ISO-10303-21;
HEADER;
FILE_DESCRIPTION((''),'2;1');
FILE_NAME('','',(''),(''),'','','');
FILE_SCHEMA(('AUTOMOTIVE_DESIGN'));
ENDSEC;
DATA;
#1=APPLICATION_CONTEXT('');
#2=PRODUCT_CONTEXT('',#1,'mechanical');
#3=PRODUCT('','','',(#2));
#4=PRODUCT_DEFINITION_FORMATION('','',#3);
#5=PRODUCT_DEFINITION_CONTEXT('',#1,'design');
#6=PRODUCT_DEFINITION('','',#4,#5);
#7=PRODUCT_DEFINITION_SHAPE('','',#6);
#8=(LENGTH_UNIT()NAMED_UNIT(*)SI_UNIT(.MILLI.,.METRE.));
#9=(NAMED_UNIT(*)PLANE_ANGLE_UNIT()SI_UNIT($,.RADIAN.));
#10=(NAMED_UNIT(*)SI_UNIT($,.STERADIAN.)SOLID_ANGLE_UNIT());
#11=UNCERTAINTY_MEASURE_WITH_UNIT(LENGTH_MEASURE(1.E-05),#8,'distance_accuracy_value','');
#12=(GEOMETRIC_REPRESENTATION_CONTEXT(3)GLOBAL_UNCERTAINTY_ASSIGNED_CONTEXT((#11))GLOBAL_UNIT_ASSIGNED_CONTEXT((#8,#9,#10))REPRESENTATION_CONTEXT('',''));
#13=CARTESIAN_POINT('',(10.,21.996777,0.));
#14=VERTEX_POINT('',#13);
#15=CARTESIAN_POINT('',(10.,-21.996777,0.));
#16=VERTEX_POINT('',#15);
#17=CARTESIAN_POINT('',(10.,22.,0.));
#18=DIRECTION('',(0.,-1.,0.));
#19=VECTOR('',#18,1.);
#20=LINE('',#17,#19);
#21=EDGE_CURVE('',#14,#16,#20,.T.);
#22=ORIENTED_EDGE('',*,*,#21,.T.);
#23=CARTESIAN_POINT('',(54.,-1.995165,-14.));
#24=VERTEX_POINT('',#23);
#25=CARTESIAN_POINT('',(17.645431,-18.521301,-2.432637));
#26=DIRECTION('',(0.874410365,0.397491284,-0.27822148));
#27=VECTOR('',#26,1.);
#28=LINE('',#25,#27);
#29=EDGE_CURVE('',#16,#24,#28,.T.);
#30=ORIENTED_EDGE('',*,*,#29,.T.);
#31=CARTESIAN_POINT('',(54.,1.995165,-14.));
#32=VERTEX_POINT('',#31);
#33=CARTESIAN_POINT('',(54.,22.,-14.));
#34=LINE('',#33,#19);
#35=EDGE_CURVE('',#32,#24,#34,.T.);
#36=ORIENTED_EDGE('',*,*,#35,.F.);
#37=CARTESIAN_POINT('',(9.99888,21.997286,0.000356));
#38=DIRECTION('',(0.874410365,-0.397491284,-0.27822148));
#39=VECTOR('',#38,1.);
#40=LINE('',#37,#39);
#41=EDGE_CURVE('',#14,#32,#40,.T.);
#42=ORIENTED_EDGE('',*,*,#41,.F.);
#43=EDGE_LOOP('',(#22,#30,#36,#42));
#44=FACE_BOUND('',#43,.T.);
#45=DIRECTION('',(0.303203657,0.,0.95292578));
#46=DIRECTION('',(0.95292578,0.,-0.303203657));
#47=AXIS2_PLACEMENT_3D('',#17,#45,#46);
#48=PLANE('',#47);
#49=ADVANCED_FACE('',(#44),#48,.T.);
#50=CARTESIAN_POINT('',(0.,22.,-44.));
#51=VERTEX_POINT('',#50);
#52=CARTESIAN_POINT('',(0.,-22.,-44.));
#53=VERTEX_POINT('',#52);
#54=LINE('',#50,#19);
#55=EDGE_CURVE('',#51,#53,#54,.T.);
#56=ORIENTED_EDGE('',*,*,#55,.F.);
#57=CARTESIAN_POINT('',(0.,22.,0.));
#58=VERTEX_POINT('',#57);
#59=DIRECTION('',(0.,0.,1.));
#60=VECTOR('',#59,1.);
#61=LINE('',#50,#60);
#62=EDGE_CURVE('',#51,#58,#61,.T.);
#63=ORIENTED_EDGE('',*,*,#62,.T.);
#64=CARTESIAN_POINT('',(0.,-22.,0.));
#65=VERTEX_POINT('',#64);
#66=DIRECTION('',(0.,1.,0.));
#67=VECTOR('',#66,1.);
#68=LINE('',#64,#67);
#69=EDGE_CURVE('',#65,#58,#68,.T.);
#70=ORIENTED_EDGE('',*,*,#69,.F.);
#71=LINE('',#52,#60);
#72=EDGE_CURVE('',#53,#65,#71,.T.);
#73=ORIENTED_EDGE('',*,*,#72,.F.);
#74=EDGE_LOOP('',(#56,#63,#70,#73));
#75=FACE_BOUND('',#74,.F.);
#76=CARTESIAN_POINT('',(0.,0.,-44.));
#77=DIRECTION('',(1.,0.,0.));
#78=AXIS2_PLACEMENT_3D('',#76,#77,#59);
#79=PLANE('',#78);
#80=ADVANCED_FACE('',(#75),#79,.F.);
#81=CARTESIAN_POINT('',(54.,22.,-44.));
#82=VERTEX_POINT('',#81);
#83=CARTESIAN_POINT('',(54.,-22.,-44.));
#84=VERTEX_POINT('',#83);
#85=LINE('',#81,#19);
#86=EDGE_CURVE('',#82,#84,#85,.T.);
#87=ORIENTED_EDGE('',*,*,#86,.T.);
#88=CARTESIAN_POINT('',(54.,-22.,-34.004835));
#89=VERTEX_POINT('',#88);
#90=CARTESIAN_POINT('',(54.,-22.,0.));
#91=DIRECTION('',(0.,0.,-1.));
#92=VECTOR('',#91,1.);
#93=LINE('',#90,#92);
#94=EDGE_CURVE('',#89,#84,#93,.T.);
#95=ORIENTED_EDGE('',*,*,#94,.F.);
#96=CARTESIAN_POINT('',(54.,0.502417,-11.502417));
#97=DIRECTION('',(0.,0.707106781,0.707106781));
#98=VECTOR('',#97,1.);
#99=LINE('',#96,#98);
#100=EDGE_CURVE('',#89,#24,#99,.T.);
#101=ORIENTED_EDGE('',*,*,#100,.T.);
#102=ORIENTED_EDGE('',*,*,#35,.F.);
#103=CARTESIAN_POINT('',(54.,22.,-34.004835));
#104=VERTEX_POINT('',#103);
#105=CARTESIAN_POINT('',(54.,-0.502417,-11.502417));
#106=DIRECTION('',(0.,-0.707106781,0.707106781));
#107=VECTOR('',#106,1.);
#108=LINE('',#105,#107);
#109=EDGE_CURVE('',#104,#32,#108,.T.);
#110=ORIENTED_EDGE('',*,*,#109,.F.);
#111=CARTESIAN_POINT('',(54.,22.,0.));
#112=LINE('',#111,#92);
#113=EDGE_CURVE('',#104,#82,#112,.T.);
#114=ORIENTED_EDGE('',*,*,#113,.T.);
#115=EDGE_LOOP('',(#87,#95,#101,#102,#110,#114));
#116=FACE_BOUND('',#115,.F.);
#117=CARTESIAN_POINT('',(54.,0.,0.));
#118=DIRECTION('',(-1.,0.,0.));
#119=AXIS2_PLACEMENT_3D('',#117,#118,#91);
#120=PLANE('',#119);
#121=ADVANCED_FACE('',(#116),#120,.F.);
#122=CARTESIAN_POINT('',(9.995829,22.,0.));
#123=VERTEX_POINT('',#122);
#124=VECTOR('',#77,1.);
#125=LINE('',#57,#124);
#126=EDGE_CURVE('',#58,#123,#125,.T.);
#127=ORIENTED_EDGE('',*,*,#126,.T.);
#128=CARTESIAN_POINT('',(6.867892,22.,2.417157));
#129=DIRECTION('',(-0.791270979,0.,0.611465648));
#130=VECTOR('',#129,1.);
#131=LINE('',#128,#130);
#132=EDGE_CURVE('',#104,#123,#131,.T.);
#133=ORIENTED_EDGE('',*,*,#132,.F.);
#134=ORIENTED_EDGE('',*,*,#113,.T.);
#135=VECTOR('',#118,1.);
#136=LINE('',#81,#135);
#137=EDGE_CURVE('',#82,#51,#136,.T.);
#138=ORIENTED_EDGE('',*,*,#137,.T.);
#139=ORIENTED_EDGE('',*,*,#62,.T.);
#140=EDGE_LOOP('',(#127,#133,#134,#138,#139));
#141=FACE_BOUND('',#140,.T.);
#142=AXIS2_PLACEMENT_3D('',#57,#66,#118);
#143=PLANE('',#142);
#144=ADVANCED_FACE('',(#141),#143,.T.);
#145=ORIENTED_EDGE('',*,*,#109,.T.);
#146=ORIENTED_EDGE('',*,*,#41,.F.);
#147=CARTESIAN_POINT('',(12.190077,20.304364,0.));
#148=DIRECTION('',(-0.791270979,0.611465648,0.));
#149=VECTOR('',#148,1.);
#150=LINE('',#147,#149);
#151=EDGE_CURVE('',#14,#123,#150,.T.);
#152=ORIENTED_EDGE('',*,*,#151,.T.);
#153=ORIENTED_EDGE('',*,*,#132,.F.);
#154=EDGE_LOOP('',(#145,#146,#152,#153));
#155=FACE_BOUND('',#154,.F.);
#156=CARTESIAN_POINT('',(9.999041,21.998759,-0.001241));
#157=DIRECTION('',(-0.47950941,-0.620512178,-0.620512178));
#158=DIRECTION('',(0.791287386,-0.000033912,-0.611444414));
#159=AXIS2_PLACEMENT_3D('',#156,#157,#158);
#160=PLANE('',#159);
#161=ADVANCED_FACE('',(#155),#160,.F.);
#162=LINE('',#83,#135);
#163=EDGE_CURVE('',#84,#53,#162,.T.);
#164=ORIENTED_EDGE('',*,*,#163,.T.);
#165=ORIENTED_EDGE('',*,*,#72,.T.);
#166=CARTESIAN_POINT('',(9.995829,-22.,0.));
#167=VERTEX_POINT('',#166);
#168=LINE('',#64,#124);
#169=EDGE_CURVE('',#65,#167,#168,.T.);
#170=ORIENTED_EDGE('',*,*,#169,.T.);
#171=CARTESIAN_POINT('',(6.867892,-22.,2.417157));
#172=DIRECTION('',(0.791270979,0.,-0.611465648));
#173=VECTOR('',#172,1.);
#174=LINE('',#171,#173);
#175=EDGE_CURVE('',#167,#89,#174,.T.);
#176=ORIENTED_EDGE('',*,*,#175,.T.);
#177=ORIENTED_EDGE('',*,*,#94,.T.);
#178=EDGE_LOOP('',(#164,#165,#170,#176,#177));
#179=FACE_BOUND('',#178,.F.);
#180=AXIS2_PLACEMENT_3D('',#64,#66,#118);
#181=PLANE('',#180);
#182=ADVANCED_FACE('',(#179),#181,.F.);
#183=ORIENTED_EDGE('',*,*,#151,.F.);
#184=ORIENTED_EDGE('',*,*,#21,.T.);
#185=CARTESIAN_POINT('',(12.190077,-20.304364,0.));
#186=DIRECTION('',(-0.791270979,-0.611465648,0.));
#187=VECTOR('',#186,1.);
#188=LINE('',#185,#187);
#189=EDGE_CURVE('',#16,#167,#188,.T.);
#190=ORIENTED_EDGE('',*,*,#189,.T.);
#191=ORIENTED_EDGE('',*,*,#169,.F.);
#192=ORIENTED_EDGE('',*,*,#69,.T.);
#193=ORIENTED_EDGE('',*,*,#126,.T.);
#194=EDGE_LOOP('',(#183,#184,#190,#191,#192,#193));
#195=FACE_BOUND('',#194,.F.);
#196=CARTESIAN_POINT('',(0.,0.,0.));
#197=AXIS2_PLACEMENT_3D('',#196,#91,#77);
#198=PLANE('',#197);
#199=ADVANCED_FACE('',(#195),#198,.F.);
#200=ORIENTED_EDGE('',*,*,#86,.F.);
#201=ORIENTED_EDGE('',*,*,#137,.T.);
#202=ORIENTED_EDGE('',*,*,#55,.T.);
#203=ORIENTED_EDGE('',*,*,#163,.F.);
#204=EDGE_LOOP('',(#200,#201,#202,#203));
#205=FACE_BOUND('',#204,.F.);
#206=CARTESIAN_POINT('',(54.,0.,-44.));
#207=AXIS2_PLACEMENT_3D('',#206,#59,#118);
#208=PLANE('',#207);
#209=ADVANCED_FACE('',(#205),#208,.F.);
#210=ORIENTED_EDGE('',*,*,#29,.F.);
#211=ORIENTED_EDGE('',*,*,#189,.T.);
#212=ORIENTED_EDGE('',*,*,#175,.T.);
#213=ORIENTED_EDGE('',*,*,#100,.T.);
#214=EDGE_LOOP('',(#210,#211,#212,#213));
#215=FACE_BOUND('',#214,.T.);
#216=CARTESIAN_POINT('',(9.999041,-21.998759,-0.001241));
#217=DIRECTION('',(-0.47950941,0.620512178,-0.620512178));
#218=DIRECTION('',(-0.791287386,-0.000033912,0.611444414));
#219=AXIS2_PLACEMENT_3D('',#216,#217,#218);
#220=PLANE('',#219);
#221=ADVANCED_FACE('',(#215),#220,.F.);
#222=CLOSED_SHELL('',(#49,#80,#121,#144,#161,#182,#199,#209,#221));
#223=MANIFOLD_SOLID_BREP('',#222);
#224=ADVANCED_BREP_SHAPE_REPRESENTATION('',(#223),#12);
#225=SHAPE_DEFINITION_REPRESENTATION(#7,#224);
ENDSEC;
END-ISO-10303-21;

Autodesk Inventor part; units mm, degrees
ref_plane "YZ Plane" through (0, 0, 0) normal (1, 0, 0) x (0, 1, 0)
ref_plane "XZ Plane" through (0, 0, 0) normal (0, 1, 0) x (-1, 0, 0)
sketch "草圖1" plane through (0, 0, 0) normal (0, 1, 0) x (-1, 0, 0)
  line L0 (0, 0) -> (-54, 0)
  line L1 (-54, 0) -> (-54, -44)
  line L2 (-54, -44) -> (0, -44)
  line L3 (0, -44) -> (0, 0)
  dimension "d0" = 54
  dimension "d1" = 44
extrude "擠出1" add sketch "草圖1" along normal mid plane 44
sketch "草圖2" plane through (0, 22, 0) normal (0, 1, 0) x (1, 0, 0)
  line L0 (0, 0) -> (54, 0) projected
  line L1 (10, 0) -> (54, 14)
  line L2 (54, 0) -> (54, 44) projected
  dimension "d4" = 10
  dimension "d5" = 30
extrude "擠出2" cut sketch "草圖2" against normal blind 60
sketch "草圖3" plane through (54, -22, -44) normal (1, 0, 0) x (0, 0, -1)
  line L0 (-30, 24) -> (-10, 44)
  line L1 (0, 44) -> (-44, 44) projected
  line L2 (-30, 44) -> (-30, 0) projected
  point P0 (-44, 22)
  point P1 (-30, 2)
  dimension "d8" = 20
  dimension "d9" = 20
ref_plane "工作平面1" through (10, 22, 0) normal (-0.4795, -0.6205, -0.6205) x (0.7913, 0, -0.6114)
sketch "草圖4" plane through (10, 22, 0) normal (-0.4795, -0.6205, -0.6205) x (0.7913, 0, -0.6114)
  line L0 (-15.1543, -12.3218) -> (93.717, -12.3218)
  line L1 (93.717, -12.3218) -> (93.717, 28.8166)
  line L2 (93.717, 28.8166) -> (-15.1543, 28.8166)
  line L3 (-15.1543, 28.8166) -> (-15.1543, -12.3218)
  point P0 (-7.9129, 13.4581)
extrude "擠出3" cut sketch "草圖4" against normal blind 40
mirror "鏡射1" about plane through (0, 0, 0) normal (0, 1, 0) of "擠出3"
properties part number "61"
